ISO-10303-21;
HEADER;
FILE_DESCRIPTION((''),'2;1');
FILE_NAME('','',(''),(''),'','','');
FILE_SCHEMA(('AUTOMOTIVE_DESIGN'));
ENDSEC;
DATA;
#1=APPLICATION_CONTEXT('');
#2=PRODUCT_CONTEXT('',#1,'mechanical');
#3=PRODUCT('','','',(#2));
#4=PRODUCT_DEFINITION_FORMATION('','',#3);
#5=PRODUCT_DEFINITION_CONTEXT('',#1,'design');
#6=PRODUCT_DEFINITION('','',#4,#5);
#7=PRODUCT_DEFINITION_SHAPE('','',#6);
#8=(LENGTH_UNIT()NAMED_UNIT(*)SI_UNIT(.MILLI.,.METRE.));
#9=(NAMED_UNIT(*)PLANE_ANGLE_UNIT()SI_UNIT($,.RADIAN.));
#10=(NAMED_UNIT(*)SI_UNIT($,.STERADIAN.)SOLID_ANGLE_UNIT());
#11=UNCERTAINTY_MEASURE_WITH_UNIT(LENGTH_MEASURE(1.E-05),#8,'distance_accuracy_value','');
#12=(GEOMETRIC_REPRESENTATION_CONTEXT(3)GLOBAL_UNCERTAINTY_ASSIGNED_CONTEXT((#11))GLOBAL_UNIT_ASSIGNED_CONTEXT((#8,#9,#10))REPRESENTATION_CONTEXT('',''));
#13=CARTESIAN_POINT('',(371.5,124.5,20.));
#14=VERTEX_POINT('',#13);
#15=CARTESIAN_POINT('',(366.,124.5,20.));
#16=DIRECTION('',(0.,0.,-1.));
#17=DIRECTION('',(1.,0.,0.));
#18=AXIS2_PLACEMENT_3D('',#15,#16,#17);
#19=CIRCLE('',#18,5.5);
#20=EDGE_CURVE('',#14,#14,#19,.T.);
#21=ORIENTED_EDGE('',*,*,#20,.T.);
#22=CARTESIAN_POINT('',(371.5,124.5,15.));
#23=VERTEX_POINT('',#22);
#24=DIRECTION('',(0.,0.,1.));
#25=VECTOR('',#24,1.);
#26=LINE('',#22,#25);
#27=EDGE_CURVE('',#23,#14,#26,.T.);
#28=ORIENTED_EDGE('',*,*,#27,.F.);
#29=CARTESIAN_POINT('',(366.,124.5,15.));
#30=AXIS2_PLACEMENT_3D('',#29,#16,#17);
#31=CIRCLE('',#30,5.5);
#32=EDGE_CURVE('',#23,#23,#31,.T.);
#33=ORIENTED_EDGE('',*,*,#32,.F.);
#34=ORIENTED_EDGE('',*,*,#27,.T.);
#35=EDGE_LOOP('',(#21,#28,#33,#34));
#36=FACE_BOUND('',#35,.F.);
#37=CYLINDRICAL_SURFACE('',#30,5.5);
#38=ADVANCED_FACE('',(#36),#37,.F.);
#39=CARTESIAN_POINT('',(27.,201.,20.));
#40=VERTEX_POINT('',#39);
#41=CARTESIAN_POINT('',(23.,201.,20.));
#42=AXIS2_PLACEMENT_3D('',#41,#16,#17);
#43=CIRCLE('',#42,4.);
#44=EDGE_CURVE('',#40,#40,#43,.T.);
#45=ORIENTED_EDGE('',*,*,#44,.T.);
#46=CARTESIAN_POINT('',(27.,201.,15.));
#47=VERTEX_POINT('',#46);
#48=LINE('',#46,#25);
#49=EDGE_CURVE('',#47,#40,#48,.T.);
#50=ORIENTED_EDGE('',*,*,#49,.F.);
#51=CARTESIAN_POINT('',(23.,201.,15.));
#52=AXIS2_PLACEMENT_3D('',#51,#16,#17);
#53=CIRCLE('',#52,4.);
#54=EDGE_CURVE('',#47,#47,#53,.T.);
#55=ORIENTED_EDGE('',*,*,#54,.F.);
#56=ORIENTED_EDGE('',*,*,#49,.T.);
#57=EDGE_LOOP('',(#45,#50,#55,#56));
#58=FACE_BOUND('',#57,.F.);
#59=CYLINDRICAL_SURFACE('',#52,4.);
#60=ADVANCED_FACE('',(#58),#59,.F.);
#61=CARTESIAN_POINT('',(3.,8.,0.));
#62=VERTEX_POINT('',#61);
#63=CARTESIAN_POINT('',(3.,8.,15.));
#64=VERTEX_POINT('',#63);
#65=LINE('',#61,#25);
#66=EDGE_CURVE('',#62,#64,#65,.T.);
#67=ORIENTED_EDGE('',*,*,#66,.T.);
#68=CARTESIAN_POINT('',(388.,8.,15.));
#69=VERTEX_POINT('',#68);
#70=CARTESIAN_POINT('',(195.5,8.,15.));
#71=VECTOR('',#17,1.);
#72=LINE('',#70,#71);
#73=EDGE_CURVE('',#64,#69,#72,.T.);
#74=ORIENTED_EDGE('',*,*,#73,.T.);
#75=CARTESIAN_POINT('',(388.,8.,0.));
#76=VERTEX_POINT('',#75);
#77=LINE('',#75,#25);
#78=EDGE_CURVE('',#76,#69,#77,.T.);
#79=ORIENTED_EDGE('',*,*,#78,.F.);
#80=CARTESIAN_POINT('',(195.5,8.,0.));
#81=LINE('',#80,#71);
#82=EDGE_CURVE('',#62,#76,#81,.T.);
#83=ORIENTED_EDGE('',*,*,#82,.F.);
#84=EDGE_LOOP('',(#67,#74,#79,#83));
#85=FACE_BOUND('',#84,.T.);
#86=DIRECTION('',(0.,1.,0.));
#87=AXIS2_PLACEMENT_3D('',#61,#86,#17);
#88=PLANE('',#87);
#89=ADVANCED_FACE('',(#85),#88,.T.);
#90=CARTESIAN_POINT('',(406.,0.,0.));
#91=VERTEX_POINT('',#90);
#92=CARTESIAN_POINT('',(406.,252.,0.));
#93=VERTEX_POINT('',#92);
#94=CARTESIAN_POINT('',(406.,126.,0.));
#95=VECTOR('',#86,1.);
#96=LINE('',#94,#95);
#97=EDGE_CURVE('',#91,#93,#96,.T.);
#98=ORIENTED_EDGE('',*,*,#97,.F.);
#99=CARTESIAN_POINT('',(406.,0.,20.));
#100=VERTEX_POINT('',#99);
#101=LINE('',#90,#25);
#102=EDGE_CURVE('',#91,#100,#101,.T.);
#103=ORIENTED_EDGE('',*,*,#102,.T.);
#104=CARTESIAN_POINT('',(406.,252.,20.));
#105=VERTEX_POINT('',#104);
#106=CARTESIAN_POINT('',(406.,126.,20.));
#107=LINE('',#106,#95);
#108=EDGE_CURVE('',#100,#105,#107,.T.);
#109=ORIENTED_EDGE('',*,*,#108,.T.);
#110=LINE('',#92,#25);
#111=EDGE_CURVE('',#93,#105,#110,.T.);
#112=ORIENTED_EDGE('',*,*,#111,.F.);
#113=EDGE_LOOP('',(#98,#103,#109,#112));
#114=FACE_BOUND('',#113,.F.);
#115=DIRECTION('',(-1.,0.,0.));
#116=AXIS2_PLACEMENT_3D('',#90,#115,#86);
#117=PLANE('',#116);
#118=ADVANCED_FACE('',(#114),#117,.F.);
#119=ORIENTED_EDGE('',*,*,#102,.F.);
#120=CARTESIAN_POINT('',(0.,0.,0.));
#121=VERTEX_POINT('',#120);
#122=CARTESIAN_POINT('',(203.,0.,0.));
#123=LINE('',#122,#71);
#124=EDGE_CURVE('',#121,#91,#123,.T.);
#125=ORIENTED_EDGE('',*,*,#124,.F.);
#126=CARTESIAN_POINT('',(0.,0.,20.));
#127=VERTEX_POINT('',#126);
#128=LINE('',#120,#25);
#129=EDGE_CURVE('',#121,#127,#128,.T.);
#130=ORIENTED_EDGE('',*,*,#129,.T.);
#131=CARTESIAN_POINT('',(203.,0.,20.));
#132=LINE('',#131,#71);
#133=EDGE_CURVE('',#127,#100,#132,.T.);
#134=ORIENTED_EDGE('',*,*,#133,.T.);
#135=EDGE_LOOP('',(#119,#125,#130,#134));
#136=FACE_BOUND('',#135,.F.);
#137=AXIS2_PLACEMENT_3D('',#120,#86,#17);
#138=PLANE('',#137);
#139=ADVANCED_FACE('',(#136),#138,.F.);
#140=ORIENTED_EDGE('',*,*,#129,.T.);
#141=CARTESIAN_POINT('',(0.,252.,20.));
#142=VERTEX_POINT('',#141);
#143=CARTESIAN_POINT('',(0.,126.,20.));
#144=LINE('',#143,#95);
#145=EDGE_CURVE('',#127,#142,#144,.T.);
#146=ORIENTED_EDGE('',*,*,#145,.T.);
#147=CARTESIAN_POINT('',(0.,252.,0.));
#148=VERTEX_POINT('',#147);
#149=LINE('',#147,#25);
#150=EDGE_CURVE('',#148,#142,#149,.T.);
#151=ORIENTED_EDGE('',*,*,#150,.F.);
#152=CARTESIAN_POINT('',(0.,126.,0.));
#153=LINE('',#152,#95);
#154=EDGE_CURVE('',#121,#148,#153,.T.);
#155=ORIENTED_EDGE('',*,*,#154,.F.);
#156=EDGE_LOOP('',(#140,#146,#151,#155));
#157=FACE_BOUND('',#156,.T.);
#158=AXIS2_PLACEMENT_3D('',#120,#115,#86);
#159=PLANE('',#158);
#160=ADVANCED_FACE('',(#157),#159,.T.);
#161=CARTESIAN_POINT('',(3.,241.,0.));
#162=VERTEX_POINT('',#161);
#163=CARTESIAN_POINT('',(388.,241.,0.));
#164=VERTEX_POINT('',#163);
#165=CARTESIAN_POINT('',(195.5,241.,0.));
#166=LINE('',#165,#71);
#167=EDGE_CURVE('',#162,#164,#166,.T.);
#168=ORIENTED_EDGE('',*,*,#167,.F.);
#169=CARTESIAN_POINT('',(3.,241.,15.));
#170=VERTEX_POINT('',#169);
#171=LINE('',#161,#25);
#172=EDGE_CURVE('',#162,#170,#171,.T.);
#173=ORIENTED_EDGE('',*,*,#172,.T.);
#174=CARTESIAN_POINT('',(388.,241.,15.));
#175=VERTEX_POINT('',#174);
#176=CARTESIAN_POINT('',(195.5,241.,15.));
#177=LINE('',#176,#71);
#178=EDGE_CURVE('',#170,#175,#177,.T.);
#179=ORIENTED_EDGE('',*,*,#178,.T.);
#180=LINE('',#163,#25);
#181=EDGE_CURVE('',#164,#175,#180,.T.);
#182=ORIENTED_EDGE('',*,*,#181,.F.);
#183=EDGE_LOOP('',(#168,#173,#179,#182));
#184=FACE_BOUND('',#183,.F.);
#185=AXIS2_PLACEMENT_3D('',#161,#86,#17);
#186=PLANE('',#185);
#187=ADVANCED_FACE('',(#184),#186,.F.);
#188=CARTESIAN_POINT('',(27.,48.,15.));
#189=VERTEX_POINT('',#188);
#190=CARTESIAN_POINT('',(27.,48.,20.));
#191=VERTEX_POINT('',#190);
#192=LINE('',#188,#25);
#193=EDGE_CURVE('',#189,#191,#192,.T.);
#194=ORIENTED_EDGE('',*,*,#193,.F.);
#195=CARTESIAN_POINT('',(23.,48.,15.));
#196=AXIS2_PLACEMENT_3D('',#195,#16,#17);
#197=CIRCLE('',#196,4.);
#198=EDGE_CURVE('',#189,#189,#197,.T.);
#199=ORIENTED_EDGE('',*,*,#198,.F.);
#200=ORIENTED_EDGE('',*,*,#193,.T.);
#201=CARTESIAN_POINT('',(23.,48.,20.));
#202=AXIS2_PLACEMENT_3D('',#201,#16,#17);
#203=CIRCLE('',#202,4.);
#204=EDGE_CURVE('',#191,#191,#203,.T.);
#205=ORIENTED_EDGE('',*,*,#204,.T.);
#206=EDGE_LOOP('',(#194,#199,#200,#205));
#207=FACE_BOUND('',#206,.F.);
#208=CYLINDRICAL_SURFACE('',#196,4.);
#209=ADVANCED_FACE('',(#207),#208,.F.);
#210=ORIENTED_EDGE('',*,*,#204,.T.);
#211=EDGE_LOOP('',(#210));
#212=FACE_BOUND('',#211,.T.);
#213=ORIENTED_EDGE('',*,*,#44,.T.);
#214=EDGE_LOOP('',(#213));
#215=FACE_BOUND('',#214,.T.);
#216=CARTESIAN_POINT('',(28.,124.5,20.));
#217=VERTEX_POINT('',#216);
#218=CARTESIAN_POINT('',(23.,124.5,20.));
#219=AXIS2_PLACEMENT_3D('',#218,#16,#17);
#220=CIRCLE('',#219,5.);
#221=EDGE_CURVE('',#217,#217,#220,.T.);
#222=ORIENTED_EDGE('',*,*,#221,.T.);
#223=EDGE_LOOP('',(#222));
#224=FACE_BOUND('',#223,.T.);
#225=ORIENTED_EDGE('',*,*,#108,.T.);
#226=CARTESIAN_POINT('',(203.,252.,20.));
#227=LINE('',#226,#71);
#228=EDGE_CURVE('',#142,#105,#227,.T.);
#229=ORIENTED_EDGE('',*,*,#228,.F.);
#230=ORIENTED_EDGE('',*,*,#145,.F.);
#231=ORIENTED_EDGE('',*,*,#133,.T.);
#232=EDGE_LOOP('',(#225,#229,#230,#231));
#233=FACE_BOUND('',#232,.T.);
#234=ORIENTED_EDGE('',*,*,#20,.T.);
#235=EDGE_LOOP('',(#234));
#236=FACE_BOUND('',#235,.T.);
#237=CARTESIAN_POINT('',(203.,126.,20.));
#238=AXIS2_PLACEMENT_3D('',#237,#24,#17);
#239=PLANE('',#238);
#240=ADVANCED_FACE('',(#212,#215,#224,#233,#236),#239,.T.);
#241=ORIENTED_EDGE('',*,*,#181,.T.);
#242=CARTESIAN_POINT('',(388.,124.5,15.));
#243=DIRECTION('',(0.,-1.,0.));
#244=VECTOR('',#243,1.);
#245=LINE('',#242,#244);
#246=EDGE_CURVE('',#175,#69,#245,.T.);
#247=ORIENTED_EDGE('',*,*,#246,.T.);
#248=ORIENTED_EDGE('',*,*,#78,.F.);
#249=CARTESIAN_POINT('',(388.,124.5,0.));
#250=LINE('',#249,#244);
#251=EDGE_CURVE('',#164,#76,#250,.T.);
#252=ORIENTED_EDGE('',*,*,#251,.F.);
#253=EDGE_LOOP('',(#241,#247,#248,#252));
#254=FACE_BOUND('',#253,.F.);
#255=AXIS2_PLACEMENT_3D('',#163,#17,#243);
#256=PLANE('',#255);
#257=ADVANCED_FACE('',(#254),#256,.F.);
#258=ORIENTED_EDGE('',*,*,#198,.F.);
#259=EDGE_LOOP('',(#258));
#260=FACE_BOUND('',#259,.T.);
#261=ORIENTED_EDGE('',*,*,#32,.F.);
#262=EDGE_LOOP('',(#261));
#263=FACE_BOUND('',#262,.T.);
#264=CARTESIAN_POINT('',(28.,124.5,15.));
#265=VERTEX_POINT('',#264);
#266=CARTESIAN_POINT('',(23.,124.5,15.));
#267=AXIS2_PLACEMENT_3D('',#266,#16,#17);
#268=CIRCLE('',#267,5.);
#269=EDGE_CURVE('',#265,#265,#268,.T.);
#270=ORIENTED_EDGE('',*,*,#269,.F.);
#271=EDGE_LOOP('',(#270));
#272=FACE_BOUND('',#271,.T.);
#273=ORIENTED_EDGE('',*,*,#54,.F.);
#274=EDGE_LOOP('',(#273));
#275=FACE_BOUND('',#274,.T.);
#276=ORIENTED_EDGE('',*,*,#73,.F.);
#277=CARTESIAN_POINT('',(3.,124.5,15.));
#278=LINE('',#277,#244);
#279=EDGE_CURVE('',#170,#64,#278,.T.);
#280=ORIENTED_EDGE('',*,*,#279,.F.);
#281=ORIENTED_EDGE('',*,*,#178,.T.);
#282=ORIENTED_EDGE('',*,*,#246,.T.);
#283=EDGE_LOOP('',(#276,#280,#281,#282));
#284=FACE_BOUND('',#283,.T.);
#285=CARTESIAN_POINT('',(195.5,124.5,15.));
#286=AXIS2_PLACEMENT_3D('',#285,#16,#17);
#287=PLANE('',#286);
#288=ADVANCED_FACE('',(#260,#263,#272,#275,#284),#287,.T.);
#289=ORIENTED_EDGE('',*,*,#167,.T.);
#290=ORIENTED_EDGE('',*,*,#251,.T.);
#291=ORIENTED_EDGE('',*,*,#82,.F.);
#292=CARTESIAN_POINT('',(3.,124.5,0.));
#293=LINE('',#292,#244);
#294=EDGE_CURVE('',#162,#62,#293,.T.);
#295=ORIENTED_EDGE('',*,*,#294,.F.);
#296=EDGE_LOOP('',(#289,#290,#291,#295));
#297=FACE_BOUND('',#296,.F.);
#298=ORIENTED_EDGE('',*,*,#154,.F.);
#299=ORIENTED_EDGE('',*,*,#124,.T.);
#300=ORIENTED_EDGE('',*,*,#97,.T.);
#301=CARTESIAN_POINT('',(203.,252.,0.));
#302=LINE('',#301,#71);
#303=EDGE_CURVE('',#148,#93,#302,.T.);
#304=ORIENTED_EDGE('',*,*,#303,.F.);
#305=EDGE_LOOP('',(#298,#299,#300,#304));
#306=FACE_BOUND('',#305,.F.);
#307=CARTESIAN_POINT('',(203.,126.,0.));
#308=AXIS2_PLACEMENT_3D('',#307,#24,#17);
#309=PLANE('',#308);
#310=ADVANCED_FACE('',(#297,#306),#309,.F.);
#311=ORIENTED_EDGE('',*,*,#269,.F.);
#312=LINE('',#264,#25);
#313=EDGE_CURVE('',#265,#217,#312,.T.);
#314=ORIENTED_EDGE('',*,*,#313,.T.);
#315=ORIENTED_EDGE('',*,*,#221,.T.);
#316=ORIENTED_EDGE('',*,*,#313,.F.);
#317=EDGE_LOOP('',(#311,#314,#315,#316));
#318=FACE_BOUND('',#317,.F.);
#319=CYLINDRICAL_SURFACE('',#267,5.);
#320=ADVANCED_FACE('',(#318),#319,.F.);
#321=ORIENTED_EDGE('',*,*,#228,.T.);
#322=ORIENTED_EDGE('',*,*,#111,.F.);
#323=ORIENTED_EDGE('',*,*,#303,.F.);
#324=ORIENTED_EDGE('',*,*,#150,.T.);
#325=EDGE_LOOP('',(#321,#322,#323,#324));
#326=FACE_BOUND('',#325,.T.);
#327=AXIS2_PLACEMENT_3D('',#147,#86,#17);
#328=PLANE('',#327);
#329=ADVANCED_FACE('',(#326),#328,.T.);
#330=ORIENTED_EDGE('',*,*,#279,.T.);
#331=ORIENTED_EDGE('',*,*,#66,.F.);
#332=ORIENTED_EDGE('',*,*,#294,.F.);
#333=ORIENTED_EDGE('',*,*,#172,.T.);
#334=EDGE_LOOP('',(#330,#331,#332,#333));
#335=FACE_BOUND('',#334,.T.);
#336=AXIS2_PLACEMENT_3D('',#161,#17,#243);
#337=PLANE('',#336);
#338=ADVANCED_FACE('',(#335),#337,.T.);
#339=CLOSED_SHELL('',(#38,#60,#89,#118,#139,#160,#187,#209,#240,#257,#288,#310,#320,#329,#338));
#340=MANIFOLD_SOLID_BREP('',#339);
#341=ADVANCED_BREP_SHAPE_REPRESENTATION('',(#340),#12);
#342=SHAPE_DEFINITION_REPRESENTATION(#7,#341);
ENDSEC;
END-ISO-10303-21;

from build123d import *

# Parameters (mm, degrees)
SKETCH_W        = 406
SKETCH_H        = 252
PAD_DEPTH       = 20
SKETCH001_W     = 385
SKETCH001_H     = 233
POCKET_DEPTH    = 15
SKETCH002_R     = 4
SKETCH002_R_2   = 5
SKETCH002_R_3   = 5.5
POCKET001_DEPTH = 5.001


with BuildPart() as part:
    # Sketch → Pad (new body)
    with BuildSketch(Plane.XY):
        with Locations((203, 126)):
            Rectangle(SKETCH_W, SKETCH_H)
    extrude(amount=PAD_DEPTH)

    # Sketch001 (on Face5 of Pad) → Pocket (cut)
    with BuildSketch(Plane(origin=(0, 0, 0), x_dir=(1, 0, 0), z_dir=(0, 0, -1))):
        with Locations((195.5, -124.5)):
            Rectangle(SKETCH001_W, SKETCH001_H)
    extrude(amount=-POCKET_DEPTH, mode=Mode.SUBTRACT)

    # Sketch002 (on Face11 of Pocket) → Pocket001 (cut, through all)
    with BuildSketch(Plane(origin=(0, 0, 15), x_dir=(1, 0, 0), z_dir=(0, 0, -1))):
        with Locations((23, -201)):
            Circle(SKETCH002_R)
        with Locations((23, -124.5)):
            Circle(SKETCH002_R_2)
        with Locations((23, -48)):
            Circle(SKETCH002_R)
        with Locations((366, -124.5)):
            Circle(SKETCH002_R_3)
    extrude(amount=-POCKET001_DEPTH, mode=Mode.SUBTRACT)


solid = part.part
